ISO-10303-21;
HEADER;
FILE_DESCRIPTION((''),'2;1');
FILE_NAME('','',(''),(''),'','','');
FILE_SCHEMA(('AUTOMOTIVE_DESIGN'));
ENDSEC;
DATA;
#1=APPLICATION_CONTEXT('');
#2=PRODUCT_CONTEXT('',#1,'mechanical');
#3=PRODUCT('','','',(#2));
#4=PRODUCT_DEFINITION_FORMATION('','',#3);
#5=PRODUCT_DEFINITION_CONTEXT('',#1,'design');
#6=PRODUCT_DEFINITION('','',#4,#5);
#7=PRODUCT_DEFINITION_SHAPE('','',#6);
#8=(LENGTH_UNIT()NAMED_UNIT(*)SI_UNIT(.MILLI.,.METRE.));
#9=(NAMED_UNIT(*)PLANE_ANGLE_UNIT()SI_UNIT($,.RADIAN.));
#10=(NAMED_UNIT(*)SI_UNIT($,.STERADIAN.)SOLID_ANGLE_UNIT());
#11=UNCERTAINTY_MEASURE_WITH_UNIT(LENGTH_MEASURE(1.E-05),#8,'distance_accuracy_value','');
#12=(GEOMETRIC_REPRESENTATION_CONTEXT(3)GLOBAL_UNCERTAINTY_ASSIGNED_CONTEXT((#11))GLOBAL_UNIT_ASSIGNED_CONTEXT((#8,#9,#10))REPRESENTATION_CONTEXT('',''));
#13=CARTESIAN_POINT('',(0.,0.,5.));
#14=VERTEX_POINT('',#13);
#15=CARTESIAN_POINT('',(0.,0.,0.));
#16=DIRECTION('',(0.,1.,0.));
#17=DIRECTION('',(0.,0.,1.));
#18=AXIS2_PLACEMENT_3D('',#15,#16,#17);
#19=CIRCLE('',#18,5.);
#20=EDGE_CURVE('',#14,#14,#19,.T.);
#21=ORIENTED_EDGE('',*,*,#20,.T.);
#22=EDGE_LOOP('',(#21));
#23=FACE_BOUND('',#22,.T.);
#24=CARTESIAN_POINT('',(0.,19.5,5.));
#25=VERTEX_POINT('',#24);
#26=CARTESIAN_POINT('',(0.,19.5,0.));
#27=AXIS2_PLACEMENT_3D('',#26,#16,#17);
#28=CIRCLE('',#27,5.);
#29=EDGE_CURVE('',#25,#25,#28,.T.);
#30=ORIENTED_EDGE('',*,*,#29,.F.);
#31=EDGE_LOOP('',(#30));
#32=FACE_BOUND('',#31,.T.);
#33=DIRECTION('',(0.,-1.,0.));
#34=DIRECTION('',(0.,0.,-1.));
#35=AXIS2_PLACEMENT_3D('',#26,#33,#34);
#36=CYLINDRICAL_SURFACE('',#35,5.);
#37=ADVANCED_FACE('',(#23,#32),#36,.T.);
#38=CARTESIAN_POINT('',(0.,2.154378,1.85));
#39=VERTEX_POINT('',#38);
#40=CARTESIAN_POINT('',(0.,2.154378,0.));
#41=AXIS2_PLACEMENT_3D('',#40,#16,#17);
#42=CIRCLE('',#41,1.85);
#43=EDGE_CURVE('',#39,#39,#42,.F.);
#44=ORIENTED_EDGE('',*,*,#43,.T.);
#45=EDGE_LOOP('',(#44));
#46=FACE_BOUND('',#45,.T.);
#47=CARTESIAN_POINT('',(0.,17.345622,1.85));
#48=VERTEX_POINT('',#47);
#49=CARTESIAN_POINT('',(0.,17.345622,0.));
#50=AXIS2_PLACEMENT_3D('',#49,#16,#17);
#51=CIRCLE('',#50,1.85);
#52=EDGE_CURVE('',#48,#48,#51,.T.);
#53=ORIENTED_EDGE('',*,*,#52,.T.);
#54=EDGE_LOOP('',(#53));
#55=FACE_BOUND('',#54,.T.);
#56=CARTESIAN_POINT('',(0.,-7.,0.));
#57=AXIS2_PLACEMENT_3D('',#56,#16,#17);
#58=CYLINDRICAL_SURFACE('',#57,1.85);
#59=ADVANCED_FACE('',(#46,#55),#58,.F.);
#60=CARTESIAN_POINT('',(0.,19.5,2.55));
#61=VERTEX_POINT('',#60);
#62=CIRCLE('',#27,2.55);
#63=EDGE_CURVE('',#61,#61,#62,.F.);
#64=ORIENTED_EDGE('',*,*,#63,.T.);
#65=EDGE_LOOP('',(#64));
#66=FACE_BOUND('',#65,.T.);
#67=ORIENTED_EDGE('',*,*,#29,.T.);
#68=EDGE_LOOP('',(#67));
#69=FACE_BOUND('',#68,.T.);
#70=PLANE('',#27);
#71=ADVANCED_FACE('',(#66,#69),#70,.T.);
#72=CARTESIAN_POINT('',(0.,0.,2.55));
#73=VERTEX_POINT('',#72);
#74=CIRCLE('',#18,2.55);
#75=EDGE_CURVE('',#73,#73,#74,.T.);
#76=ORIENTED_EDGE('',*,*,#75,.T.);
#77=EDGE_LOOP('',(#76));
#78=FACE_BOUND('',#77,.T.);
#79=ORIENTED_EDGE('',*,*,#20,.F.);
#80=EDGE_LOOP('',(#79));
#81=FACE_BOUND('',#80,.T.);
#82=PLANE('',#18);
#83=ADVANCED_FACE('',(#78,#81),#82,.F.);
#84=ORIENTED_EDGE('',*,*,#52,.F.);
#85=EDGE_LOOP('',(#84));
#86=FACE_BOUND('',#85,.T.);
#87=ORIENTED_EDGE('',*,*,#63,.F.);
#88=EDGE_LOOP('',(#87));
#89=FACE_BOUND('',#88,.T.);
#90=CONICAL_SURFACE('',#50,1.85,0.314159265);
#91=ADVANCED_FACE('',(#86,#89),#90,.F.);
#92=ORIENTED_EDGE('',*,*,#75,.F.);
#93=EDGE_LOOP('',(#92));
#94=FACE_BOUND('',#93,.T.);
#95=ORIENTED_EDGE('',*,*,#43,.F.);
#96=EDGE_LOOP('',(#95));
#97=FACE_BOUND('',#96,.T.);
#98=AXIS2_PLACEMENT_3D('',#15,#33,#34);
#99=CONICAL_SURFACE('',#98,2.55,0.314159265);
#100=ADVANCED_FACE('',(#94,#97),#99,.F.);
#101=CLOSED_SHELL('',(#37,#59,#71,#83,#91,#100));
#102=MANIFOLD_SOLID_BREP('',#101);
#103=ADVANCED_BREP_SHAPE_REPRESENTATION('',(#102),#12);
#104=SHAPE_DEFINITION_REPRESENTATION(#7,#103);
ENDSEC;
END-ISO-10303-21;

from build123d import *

# Parameters (mm, degrees)
SKETCH1_R             = 5
BOSS_EXTRUDE1_DEPTH   = 19.5
SKETCH2_R             = 1.85
CUT_EXTRUDE1_DEPTH    = 26.5
CHAMFER1_SIZE         = 0.7
CHAMFER1_SIZE2        = 2.154378476
CHAMFER1_PART_2_SIZE  = 0.7
CHAMFER1_PART_2_SIZE2 = 2.154378476


with BuildPart() as part:
    # Sketch1 → Boss-Extrude1 (new body)
    with BuildSketch(Plane(origin=(0, 0, 0), x_dir=(1, 0, 0), z_dir=(0, 1, 0))):
        Circle(SKETCH1_R)
    extrude(amount=BOSS_EXTRUDE1_DEPTH)

    # Sketch2 → Cut-Extrude1 (cut)
    with BuildSketch(Plane(origin=(0, 19.5, 0), x_dir=(1, 0, 0), z_dir=(0, 1, 0))):
        Circle(SKETCH2_R)
    extrude(amount=-CUT_EXTRUDE1_DEPTH, mode=Mode.SUBTRACT)

    # Chamfer1
    chamfer1_edges = [part.edges().sort_by_distance(p)[0] for p in [
        (-1.85, 0, 0),
    ]]
    chamfer1_side = [part.faces().sort_by_distance(p)[0] for p in [
        (-4.858578644, 0, 0),
    ]]
    chamfer(chamfer1_edges, length=CHAMFER1_SIZE, length2=CHAMFER1_SIZE2, reference=chamfer1_side[0])

    # Chamfer1 part 2
    chamfer1_part_2_edges = [part.edges().sort_by_distance(p)[0] for p in [
        (-1.85, 19.5, 0),
    ]]
    chamfer1_part_2_side = [part.faces().sort_by_distance(p)[0] for p in [
        (-4.858578644, 19.5, 0),
    ]]
    chamfer(chamfer1_part_2_edges, length=CHAMFER1_PART_2_SIZE, length2=CHAMFER1_PART_2_SIZE2, reference=chamfer1_part_2_side[0])


solid = part.part
